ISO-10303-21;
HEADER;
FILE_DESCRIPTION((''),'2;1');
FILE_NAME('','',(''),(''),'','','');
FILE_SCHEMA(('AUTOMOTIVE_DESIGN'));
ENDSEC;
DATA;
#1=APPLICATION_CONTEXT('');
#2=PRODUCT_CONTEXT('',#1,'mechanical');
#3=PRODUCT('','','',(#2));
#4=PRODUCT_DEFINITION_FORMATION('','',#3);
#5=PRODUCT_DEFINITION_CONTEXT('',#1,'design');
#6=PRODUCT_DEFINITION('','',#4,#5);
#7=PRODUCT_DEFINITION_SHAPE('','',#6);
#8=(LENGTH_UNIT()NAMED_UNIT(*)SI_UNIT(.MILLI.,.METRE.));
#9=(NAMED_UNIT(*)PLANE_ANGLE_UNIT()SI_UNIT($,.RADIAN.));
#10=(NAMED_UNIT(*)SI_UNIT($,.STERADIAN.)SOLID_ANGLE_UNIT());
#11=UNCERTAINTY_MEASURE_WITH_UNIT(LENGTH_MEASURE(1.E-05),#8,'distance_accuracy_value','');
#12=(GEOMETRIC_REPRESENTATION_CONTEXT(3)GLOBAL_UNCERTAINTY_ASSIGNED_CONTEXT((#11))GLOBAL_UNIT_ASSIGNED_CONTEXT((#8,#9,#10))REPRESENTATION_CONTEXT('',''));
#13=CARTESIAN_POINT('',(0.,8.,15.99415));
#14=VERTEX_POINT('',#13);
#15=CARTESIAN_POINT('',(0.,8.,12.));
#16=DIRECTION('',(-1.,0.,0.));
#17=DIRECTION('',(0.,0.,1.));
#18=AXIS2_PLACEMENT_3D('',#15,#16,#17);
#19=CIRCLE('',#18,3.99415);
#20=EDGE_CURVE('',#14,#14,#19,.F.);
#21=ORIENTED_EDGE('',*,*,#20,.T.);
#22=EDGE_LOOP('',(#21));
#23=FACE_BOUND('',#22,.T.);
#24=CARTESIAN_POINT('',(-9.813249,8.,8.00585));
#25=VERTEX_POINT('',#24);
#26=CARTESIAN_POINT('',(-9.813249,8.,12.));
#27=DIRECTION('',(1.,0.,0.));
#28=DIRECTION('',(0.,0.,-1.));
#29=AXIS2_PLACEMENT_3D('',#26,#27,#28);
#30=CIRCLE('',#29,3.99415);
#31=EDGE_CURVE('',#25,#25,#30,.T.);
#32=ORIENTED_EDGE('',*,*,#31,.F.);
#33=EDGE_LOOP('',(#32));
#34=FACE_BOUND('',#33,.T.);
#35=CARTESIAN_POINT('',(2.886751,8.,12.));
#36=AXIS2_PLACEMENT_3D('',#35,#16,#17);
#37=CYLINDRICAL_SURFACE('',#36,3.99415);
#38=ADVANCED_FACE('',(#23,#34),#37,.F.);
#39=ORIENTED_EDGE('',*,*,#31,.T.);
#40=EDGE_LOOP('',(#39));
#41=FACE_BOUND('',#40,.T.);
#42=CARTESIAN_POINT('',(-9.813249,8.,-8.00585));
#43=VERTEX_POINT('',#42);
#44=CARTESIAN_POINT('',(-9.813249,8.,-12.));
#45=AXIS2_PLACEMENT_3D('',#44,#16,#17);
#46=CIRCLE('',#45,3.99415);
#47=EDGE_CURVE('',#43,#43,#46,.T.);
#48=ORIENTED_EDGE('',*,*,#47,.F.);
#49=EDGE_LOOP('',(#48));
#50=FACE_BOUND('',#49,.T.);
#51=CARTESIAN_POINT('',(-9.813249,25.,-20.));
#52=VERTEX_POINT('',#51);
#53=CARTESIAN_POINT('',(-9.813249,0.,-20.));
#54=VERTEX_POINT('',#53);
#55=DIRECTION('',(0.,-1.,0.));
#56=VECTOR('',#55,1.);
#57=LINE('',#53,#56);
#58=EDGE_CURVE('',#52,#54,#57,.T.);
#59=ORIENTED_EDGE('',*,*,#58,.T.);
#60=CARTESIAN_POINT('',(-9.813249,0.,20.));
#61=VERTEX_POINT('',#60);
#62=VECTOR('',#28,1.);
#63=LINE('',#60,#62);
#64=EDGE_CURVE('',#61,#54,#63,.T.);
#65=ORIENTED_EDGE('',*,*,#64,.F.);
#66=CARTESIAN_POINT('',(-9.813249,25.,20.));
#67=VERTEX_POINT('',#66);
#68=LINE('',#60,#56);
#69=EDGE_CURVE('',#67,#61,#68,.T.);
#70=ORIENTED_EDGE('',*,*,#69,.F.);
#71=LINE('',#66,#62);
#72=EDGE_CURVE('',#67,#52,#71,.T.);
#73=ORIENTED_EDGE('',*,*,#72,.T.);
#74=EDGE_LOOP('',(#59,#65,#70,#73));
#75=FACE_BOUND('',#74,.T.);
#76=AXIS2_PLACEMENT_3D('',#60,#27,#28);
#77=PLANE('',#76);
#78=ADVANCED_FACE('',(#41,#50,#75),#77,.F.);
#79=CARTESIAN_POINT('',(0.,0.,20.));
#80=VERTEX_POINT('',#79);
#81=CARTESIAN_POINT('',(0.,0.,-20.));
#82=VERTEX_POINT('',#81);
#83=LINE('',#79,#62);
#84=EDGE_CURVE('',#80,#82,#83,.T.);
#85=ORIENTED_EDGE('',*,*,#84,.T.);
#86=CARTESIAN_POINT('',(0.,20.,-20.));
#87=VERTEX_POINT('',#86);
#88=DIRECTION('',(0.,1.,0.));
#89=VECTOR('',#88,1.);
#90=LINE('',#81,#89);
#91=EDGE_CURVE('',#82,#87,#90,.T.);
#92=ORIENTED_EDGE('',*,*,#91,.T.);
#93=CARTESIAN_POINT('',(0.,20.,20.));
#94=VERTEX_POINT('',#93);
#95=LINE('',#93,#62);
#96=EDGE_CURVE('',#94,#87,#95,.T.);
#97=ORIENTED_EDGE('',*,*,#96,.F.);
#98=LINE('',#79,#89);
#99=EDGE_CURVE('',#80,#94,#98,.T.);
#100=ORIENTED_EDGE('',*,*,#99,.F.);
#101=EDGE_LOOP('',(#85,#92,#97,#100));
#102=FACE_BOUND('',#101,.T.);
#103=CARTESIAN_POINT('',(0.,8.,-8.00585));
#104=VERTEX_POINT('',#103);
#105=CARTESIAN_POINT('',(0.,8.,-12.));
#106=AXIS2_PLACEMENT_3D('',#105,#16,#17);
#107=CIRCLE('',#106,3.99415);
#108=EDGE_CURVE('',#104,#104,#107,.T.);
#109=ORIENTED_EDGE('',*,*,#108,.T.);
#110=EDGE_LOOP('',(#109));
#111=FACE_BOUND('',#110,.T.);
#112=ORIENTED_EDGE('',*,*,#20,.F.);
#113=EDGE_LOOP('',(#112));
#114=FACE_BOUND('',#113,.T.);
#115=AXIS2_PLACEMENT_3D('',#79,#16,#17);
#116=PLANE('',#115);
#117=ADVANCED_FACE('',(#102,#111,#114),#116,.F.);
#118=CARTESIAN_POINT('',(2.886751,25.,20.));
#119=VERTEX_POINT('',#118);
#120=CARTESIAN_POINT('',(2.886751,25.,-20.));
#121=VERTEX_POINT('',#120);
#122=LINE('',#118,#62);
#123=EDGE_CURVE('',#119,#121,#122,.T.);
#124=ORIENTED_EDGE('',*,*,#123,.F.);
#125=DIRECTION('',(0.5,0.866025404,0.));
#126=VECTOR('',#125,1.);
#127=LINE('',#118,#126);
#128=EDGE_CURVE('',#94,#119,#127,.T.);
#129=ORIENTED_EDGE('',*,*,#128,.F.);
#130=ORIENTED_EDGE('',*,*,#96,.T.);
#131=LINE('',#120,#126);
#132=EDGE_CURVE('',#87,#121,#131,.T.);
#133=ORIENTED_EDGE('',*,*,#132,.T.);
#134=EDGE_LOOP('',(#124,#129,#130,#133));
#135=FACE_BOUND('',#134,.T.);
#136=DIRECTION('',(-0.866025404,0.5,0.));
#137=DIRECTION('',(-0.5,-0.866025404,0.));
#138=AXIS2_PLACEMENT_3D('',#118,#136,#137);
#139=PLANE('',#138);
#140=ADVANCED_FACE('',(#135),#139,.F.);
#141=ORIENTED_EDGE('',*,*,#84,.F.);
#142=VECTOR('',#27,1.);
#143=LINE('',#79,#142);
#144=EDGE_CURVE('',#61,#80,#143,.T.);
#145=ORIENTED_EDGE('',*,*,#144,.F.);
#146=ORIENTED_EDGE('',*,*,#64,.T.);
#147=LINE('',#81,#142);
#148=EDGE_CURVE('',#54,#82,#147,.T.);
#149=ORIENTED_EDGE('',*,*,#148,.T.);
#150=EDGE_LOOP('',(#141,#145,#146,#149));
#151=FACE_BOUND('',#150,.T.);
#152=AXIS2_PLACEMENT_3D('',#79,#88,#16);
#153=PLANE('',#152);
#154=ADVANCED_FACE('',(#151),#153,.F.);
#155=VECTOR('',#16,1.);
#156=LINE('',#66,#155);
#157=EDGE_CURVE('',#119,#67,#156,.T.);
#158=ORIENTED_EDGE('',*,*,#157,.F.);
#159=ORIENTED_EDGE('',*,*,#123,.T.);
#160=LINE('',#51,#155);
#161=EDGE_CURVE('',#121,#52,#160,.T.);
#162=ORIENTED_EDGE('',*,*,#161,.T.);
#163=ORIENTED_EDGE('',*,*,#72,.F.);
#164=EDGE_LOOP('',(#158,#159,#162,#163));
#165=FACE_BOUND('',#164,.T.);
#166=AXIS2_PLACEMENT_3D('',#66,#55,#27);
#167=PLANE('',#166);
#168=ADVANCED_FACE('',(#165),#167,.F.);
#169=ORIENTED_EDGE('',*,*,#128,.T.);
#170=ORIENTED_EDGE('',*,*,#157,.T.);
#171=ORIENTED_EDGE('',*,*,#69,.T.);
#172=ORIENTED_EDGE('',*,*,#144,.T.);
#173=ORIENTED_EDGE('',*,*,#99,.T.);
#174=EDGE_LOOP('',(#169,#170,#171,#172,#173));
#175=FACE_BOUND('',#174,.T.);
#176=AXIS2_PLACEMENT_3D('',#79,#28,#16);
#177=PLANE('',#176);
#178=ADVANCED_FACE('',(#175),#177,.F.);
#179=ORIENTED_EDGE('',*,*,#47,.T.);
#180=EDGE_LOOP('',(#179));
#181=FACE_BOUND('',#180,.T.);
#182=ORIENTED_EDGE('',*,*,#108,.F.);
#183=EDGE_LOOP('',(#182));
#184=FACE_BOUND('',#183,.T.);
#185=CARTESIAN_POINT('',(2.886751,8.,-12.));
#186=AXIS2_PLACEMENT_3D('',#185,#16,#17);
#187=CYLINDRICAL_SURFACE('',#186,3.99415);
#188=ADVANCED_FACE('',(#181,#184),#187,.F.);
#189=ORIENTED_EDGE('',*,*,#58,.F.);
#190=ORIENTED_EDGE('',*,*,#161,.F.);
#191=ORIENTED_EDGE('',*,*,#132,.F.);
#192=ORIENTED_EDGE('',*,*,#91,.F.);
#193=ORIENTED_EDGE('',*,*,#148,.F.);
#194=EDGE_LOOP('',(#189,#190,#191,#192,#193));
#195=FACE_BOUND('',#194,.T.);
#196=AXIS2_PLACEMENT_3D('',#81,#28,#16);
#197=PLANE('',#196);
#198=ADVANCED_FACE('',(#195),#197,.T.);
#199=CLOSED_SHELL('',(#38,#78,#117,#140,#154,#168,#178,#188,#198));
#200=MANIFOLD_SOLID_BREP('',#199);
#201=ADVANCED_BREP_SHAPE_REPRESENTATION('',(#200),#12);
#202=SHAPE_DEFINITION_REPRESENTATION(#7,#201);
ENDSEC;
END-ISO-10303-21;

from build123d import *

# Parameters (mm, degrees)
BOSS_EXTRUDE1_DEPTH = 20
SKETCH4_R           = 3.99415
CUT_EXTRUDE1_DEPTH  = 13.7


with BuildPart() as part:
    # Sketch2 → Boss-Extrude1 (new body, symmetric)
    with BuildSketch(Plane.XY):
        Polygon((0, 0), (-9.813248654, 0), (-9.813248654, 25), (2.886751346, 25), (0, 20), align=None)
    extrude(amount=BOSS_EXTRUDE1_DEPTH, both=True)

    # Sketch4 → Cut-Extrude1 (cut, through all)
    with BuildSketch(Plane.ZY.offset(9.813248654)):
        with Locations((-12, 8)):
            Circle(SKETCH4_R)
    cut_extrude1 = extrude(amount=-CUT_EXTRUDE1_DEPTH, mode=Mode.SUBTRACT)

    # Mirror1: Cut-Extrude1 across plane
    add(cut_extrude1.mirror(Plane.XY), mode=Mode.SUBTRACT)


solid = part.part
